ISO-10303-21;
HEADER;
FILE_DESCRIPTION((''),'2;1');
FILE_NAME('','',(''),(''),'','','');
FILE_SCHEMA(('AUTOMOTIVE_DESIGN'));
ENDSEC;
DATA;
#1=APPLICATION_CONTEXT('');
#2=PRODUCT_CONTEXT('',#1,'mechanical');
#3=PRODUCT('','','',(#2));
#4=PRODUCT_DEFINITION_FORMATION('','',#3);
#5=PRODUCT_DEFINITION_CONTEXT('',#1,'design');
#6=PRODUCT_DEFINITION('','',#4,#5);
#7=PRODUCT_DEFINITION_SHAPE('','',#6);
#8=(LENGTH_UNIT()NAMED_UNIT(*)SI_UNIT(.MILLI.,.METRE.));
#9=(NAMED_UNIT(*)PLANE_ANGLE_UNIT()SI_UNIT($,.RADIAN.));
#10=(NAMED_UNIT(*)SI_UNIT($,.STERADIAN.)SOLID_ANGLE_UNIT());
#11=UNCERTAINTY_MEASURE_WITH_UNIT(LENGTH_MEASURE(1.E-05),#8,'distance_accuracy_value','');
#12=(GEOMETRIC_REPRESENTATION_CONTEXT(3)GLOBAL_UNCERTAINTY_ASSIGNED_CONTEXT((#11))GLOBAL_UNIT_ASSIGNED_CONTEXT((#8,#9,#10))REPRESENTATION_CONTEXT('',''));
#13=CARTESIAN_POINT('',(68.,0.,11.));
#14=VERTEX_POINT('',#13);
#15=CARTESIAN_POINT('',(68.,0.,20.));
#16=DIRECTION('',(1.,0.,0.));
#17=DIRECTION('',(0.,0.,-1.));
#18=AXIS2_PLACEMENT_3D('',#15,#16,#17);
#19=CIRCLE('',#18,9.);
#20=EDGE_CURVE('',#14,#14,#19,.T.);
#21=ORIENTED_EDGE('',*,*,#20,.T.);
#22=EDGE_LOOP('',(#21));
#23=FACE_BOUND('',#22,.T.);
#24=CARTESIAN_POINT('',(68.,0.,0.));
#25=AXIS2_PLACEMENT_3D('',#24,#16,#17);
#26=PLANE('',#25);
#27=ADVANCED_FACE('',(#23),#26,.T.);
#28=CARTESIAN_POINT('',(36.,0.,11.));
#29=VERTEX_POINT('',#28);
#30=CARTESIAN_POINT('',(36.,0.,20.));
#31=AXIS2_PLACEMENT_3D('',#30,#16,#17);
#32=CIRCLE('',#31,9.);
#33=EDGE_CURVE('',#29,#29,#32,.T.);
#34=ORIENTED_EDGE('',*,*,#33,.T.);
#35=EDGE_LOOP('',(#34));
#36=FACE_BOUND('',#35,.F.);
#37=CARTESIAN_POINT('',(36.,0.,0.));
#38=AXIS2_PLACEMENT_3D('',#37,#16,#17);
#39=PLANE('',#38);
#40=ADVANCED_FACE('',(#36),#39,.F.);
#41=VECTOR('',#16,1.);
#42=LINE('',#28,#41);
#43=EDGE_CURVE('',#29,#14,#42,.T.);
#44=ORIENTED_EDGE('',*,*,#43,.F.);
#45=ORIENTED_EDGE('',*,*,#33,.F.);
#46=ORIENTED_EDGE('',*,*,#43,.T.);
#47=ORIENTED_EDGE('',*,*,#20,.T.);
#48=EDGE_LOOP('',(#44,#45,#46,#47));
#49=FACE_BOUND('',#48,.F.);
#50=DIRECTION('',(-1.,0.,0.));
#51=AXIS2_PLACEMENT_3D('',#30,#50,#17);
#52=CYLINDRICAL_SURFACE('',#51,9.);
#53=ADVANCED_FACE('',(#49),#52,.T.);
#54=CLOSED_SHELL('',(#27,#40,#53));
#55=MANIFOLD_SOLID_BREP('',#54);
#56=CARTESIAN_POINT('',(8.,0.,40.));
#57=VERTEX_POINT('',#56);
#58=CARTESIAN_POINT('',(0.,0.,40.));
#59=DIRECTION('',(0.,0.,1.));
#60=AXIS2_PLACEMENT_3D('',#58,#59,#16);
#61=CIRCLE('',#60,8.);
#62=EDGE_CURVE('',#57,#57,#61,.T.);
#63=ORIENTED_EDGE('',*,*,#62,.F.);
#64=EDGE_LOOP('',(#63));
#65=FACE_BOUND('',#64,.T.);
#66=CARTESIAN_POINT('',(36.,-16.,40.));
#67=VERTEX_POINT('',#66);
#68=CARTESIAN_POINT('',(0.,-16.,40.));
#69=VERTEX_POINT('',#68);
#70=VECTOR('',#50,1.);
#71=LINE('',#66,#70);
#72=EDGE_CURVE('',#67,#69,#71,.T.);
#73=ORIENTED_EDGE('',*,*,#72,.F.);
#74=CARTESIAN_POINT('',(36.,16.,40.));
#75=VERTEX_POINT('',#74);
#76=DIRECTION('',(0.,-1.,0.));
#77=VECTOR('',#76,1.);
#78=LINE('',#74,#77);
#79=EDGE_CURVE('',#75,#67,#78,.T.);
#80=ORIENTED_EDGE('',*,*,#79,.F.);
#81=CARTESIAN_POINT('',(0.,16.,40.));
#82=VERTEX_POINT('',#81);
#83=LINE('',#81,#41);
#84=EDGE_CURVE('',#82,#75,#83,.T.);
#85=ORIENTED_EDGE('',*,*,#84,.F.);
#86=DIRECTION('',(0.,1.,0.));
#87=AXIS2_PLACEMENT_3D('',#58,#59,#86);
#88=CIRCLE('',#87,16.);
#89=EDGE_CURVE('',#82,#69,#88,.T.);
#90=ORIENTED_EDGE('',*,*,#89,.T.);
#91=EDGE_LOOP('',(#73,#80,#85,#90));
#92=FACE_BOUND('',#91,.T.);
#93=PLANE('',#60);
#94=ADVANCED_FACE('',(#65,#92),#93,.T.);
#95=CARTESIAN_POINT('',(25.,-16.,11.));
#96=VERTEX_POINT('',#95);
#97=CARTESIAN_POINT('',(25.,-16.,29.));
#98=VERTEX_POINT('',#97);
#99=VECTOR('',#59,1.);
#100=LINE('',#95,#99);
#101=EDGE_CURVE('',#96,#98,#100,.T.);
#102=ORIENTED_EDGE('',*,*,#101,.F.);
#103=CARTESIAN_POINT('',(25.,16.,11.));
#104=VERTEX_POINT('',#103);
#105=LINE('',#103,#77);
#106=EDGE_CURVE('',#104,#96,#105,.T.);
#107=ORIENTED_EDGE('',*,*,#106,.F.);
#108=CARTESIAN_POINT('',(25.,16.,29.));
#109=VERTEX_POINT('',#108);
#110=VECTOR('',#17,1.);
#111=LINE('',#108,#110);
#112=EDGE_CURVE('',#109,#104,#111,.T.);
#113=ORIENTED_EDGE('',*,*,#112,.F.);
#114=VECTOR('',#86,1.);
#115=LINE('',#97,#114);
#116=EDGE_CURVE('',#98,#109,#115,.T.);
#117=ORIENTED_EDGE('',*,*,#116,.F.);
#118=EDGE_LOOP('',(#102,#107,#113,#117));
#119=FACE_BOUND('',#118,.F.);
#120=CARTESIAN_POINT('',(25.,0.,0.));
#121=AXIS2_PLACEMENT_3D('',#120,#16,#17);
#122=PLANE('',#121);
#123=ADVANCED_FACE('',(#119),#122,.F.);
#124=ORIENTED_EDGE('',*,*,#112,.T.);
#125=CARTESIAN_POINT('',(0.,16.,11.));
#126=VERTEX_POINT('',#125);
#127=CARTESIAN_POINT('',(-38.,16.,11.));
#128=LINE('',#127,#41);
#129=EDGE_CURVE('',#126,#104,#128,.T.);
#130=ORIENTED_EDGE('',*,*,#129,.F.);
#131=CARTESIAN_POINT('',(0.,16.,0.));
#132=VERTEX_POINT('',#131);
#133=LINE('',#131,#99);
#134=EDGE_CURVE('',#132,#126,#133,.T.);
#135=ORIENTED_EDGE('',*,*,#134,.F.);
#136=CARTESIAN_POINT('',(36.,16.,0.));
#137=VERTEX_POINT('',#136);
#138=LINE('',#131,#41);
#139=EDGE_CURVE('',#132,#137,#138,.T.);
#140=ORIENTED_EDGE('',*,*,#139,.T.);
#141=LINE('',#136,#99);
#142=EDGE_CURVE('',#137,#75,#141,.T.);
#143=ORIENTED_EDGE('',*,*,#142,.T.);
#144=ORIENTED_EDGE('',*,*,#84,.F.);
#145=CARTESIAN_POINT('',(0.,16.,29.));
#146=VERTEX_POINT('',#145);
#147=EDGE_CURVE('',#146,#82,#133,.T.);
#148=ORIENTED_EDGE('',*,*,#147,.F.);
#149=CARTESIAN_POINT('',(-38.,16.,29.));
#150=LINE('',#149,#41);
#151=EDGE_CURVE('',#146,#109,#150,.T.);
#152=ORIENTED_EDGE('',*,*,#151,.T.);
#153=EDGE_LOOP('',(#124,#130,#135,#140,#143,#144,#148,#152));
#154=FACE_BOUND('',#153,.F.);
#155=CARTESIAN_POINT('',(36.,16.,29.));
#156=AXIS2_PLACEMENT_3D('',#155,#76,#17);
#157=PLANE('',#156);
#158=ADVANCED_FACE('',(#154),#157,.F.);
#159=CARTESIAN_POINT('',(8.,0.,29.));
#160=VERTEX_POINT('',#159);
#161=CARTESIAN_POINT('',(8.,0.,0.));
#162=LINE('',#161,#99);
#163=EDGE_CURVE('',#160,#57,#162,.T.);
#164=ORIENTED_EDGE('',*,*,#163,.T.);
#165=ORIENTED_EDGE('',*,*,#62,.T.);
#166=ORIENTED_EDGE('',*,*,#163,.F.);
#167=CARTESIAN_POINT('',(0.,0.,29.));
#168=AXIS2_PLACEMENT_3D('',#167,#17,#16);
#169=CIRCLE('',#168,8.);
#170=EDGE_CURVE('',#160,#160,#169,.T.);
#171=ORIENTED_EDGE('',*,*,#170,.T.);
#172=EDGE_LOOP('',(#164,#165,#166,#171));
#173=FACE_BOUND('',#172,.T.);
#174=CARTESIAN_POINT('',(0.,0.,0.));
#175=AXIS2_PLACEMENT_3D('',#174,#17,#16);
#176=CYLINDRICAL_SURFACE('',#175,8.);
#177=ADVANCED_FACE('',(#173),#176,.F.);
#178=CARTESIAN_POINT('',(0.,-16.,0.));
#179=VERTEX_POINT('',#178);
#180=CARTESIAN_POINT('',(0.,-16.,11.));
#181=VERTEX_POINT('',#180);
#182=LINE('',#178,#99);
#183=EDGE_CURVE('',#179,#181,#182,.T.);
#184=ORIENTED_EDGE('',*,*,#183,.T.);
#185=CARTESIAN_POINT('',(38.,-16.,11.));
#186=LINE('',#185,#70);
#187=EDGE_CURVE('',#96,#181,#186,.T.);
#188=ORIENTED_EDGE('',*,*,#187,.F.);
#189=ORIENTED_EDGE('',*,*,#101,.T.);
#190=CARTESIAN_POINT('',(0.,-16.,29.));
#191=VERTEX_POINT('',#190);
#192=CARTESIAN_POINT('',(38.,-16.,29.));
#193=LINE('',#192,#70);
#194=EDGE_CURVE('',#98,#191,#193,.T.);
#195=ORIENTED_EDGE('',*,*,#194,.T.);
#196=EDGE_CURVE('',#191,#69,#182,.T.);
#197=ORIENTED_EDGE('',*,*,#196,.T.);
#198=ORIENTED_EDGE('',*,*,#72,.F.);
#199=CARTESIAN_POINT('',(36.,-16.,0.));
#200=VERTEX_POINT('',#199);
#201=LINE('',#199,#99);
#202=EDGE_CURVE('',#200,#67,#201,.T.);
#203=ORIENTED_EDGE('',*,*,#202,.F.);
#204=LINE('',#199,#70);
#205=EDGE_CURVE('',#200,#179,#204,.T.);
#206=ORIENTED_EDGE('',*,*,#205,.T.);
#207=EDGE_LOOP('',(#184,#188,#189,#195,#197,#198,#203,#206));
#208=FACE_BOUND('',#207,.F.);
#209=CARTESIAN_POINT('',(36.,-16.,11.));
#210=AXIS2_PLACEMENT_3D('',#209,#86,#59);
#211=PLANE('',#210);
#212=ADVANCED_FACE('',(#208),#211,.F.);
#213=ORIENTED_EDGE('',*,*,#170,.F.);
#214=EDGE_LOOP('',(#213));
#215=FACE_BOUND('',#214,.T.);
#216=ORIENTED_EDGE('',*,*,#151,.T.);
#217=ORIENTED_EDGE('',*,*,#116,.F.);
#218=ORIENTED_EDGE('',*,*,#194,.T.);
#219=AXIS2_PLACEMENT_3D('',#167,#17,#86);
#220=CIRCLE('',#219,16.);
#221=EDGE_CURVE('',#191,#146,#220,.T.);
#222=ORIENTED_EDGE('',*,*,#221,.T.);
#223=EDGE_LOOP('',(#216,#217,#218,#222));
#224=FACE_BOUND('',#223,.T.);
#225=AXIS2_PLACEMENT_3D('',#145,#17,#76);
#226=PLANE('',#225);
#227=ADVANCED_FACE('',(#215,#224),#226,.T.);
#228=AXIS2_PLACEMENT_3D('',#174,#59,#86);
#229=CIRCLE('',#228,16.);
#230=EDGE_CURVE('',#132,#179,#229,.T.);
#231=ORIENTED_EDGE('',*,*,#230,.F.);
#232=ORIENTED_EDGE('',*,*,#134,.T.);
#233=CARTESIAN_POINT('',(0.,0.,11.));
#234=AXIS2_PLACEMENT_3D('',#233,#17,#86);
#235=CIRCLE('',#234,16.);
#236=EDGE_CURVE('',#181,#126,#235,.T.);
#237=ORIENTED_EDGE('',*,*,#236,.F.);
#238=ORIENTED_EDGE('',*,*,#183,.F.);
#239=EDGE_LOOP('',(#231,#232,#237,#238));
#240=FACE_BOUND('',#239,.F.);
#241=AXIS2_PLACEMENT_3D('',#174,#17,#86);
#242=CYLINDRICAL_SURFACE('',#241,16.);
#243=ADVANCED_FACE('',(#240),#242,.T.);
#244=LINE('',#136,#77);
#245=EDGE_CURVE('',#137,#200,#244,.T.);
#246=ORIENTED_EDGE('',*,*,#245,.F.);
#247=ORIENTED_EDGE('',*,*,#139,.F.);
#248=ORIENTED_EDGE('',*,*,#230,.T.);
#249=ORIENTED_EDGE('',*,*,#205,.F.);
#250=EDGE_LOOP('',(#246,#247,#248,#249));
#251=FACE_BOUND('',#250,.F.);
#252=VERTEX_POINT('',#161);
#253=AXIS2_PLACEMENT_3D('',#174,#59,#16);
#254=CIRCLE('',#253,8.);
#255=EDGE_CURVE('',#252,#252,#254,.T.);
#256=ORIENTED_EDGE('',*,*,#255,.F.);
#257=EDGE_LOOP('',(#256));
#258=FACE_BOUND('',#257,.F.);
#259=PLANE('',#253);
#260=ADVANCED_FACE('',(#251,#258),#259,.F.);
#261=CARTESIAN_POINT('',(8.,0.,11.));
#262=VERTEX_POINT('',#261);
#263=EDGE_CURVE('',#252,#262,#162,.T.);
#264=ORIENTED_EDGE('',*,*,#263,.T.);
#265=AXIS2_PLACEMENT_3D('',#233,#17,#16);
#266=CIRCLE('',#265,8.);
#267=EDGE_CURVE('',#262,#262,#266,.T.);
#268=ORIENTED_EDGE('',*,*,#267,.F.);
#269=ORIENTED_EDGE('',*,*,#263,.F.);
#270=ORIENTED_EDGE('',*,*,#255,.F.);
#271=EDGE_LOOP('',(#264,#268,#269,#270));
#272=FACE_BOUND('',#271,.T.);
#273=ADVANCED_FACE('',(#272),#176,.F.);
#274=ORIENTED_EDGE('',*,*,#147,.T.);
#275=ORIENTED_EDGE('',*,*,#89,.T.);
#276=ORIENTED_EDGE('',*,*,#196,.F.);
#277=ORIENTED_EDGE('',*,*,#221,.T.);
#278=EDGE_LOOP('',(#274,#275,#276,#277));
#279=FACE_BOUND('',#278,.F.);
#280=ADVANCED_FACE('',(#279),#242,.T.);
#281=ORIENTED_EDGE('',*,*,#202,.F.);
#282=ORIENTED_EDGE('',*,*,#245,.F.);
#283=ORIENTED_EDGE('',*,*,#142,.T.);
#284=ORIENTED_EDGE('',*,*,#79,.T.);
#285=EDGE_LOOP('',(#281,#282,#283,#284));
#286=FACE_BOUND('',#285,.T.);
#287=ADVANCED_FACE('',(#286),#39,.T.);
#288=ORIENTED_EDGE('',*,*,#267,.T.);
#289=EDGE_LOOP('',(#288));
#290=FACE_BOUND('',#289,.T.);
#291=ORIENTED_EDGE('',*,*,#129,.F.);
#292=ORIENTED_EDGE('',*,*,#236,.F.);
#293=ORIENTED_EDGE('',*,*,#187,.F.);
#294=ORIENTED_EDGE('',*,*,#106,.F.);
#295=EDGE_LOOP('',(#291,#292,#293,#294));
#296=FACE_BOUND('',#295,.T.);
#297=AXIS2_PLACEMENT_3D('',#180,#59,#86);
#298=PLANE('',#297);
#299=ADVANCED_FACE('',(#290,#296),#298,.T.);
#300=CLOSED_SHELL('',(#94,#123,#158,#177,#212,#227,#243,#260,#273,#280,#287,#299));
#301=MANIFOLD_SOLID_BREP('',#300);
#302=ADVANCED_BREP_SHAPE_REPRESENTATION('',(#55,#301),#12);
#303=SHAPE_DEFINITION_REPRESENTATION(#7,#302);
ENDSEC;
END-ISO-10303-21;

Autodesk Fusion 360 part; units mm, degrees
sketch "Sketch1" plane through (0, 0, 0) normal (0, 0, 1) x (1, 0, 0)
  circle A0 centre (0, 0) radius 8
  line L0 (0, 16) -> (36, 16)
  line L1 (36, 16) -> (36, -16)
  line L2 (36, -16) -> (0, -16)
  arc A1 (0, 16) -> (0, -16) centre (0, 0) ccw
  dimension "d1" = 32
  dimension "d2" = 16
  dimension "d3" = 36
  dimension "d4" = 32
extrude "Extrude1" add sketch "Sketch1" along normal blind 40 makes body 1
sketch "Sketch2" plane through (0, 0, 0) normal (1, 0, 0) x (0, 0, -1)
  line L0 (-11, 16) -> (-29, 16)
  line L1 (-29, 16) -> (-29, -16)
  line L2 (-29, -16) -> (-11, -16)
  line L3 (-11, -16) -> (-11, 16)
  line L4 (0, 16) -> (0, -16)
  dimension "d7" = 18
  dimension "d9" = 11
extrude "Extrude2" cut sketch "Sketch2" along normal mid plane 76 bodies 1 makes body 2 at (26.6667, 0, 29)
sketch "Sketch3" plane through (36, 0, 0) normal (1, 0, 0) x (0, 0, -1)
  line L0 (-11, 16) -> (-11, -16)
  line L1 (-11, -16) -> (0, -16)
  line L2 (0, -16) -> (0, 16)
  line L3 (0, 16) -> (-11, 16)
  line L4 (-29, 16) -> (-11, 16)
  line L5 (-11, 16) -> (-11, -16)
  line L6 (-11, -16) -> (-29, -16)
  line L7 (-29, -16) -> (-29, 16)
  dimension "d12" = 18
  dimension "d13" = 32
extrude "Extrude3" add sketch "Sketch3" against normal blind 11 separate body contours L0 L4 L5 L6 L7 makes body 3
combine "Combine1" operation add target body 3 tool bodies 2 1
sketch "Sketch4" plane through (36, 0, 0) normal (1, 0, 0) x (0, 0, -1)
  line L0 (-40, -16) -> (0, -16)
  line L1 (0, -16) -> (0, 16)
  line L2 (0, 16) -> (-40, 16)
  line L3 (-40, 16) -> (-40, -16)
  circle A0 centre (-20, 0) radius 9
  dimension "d16" = 18
  dimension "d17" = 20
extrude "Extrude4" add sketch "Sketch4" along normal blind 32 separate body contours A0 makes body 4
